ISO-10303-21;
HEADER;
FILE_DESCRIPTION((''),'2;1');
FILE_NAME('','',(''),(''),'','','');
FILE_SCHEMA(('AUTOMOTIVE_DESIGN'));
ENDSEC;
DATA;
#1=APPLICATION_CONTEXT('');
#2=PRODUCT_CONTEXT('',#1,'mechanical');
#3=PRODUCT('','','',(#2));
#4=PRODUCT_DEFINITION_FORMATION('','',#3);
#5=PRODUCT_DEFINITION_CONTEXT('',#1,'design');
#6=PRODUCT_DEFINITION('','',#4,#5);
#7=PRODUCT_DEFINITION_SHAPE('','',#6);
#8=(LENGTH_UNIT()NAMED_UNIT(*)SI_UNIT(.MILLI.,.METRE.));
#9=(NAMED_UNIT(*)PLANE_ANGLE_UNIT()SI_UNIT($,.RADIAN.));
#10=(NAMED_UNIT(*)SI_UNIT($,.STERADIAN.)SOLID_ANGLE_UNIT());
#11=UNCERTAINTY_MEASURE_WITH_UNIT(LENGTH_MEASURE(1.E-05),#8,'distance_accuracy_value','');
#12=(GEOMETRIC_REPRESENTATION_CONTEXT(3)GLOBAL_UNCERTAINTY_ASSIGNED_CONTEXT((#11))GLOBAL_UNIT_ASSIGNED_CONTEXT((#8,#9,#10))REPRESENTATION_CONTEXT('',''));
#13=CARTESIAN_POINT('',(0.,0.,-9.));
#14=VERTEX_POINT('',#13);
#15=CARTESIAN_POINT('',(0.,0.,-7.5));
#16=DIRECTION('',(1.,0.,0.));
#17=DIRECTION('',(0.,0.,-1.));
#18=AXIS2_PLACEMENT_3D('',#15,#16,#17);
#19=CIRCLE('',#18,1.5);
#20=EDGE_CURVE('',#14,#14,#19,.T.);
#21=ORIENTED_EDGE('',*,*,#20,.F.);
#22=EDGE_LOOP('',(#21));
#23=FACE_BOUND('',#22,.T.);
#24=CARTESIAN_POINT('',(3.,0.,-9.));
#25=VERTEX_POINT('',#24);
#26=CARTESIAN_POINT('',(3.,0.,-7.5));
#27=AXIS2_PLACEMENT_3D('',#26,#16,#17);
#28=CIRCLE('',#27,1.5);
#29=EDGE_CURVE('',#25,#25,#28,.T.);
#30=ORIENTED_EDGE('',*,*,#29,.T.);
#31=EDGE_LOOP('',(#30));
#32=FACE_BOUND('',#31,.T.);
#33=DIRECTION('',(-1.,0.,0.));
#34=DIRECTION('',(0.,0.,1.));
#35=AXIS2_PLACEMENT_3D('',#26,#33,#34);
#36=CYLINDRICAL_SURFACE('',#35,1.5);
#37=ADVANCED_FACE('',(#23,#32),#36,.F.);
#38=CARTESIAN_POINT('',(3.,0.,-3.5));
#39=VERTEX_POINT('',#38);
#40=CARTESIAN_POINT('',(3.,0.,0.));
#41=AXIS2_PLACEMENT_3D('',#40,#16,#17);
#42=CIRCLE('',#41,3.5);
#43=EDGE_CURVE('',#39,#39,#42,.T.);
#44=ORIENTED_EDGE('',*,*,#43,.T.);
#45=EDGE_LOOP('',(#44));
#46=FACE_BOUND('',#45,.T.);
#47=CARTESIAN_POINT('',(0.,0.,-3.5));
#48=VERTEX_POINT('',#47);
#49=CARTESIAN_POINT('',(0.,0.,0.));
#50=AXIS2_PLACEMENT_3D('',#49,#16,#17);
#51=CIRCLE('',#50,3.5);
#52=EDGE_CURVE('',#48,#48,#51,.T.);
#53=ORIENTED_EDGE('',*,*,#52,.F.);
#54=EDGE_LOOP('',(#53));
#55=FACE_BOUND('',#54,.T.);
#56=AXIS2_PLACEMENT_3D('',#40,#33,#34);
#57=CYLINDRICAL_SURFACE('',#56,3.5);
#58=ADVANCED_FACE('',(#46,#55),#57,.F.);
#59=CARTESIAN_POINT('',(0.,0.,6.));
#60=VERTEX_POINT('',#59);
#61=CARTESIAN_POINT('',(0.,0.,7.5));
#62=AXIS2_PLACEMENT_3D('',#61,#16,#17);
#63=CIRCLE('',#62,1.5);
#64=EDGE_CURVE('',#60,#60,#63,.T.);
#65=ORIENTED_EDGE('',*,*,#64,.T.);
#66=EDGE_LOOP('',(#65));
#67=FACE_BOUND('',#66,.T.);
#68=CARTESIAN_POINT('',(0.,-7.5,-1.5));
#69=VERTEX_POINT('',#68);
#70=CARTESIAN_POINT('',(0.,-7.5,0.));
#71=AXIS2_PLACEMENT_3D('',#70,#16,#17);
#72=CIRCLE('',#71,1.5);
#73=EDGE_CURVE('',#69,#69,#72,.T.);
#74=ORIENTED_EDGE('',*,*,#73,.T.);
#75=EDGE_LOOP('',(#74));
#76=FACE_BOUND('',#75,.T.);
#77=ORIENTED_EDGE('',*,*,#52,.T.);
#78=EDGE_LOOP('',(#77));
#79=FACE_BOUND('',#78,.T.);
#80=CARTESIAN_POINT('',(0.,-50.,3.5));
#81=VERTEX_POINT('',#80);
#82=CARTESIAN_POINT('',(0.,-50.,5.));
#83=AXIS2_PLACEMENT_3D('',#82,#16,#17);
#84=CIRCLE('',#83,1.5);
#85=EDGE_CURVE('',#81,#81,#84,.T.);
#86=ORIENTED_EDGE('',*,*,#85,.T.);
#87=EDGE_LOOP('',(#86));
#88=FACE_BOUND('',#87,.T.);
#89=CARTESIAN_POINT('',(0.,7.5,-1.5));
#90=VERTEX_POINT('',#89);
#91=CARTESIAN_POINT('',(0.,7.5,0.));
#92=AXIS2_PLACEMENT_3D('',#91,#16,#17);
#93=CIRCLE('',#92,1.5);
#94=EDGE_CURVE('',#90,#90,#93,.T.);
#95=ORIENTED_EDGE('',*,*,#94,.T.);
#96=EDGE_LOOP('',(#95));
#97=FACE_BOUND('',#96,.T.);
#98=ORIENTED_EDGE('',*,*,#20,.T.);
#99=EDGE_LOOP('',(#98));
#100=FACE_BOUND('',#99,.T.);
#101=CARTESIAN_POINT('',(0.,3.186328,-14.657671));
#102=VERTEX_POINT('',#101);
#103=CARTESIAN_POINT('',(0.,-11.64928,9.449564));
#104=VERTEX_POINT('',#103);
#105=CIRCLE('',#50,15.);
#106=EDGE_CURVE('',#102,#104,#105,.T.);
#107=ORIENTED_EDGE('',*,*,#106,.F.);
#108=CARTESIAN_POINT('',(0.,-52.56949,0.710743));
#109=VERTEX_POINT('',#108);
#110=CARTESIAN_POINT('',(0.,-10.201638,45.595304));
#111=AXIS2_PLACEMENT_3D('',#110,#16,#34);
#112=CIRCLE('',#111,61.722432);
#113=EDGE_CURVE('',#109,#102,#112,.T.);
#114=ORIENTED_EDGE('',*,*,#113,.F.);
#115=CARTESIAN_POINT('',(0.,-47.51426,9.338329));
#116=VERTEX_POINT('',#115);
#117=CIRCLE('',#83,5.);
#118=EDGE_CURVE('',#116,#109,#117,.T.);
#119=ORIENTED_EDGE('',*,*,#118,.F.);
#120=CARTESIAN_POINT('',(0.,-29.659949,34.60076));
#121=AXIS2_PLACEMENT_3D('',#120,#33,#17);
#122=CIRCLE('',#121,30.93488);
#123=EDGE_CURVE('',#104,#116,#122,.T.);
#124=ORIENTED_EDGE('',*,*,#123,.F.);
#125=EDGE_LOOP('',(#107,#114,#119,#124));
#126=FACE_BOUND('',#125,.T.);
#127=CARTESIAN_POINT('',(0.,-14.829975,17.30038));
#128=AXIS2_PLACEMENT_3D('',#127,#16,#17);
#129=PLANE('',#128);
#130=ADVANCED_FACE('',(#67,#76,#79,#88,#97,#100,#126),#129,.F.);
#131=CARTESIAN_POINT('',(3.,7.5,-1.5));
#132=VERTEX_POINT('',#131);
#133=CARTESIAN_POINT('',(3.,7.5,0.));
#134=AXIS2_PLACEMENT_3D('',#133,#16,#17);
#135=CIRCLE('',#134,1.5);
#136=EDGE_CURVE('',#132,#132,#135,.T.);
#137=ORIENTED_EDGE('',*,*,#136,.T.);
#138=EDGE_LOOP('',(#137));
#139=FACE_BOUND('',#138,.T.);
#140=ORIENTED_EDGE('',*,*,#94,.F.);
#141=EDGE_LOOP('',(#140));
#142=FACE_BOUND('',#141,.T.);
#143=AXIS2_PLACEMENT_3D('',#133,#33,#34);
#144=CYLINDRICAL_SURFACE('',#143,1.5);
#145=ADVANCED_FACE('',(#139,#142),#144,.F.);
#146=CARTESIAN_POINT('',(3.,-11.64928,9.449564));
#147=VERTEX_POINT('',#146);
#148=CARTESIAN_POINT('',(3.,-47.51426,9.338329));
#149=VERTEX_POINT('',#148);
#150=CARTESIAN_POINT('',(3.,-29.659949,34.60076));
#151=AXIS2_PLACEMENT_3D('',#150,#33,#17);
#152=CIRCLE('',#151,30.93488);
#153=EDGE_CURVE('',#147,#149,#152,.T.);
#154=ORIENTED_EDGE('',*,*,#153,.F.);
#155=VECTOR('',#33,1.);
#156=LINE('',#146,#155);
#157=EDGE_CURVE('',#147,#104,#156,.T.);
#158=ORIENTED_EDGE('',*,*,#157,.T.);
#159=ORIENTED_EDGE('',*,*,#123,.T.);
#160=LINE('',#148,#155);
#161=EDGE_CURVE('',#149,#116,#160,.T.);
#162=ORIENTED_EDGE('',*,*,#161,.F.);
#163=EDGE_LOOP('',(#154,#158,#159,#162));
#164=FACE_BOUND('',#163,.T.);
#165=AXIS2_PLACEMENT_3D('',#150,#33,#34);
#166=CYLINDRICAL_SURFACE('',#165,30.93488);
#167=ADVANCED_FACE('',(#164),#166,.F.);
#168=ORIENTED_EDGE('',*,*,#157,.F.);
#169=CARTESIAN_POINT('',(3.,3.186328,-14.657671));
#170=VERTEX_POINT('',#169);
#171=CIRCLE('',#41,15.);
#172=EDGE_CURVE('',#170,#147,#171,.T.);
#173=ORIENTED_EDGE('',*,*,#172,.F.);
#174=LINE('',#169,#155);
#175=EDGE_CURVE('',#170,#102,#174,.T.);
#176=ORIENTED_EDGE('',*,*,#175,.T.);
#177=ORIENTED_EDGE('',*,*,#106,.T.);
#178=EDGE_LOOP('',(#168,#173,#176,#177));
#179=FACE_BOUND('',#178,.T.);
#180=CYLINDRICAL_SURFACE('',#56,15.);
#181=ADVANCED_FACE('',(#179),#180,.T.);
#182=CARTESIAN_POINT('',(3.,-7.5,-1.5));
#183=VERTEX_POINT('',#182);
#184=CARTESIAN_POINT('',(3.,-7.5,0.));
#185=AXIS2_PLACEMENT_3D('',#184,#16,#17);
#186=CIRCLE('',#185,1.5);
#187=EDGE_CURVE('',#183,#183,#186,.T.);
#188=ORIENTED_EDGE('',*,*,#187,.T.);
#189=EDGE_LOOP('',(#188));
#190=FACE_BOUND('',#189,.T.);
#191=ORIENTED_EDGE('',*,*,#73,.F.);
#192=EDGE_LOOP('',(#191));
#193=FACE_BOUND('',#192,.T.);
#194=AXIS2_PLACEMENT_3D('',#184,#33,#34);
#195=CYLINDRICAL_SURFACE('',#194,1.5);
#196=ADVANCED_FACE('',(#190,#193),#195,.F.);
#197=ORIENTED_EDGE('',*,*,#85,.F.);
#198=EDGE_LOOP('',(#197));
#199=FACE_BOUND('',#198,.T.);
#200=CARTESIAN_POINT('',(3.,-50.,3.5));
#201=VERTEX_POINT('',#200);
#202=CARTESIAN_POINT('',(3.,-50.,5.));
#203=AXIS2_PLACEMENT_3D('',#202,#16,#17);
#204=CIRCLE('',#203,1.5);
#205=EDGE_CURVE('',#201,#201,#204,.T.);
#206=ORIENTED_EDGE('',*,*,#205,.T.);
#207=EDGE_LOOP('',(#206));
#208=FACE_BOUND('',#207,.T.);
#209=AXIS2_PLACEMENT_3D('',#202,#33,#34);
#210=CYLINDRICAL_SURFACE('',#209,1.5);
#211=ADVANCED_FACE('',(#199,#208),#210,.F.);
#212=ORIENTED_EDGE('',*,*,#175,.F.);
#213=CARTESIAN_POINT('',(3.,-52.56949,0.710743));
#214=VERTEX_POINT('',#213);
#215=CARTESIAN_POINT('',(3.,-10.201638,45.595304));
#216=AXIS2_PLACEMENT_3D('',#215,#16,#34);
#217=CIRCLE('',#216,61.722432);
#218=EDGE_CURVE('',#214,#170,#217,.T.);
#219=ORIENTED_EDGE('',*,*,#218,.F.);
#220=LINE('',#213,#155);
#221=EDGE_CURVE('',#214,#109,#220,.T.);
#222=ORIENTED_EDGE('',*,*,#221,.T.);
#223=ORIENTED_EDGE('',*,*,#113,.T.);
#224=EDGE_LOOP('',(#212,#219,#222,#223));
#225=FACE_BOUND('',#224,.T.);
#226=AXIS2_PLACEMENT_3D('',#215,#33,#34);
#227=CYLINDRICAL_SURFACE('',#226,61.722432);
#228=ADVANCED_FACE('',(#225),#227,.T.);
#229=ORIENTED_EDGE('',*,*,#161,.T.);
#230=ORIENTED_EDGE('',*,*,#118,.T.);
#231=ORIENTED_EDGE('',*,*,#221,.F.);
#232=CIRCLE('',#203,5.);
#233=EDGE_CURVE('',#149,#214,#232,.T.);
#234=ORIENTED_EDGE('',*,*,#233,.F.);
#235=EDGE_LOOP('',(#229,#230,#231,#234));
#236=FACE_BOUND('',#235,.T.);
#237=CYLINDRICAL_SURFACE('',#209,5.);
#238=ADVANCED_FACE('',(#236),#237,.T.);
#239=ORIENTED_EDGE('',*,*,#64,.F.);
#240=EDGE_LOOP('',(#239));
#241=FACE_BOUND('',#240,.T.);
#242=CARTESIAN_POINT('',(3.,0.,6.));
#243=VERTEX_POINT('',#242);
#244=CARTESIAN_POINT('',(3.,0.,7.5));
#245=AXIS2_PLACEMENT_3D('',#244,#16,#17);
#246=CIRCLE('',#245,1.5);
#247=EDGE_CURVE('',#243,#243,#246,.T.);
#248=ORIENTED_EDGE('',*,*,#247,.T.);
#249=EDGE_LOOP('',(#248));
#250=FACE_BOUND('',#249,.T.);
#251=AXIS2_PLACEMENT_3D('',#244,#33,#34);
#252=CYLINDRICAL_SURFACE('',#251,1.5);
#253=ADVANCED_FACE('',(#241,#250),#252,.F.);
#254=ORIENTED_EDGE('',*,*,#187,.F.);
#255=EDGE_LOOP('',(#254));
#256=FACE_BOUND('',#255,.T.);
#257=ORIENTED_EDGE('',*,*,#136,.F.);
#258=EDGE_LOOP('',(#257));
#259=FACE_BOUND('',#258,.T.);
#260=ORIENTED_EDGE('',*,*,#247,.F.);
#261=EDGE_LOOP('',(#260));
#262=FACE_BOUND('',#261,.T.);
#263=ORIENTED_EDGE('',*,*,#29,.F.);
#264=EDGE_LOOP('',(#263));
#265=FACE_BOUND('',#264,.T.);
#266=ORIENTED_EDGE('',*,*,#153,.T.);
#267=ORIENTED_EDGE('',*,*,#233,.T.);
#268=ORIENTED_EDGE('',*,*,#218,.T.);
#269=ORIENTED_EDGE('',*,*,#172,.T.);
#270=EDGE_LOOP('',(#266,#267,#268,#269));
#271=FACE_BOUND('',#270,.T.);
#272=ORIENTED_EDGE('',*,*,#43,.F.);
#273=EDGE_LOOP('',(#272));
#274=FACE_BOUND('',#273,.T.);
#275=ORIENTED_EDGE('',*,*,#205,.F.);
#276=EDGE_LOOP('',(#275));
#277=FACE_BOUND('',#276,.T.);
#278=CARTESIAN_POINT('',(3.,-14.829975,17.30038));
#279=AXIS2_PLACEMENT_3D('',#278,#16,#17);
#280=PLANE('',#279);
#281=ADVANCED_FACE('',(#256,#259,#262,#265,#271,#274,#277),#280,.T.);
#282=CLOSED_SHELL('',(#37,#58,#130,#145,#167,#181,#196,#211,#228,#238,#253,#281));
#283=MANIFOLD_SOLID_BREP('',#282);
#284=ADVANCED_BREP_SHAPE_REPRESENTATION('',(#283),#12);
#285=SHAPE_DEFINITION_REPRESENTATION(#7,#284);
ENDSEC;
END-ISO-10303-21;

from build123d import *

# Parameters (mm, degrees)
CROQUIS1_R              = 3.5
CROQUIS1_R_2            = 1.5
SALIENTE_EXTRUIR1_DEPTH = 3


with BuildPart() as part:
    # Croquis1 → Saliente-Extruir1 (new body)
    with BuildSketch(Plane(origin=(0, 0, 0), x_dir=(0, 0, -1), z_dir=(1, 0, 0))):
        with BuildLine():
            ThreePointArc((14.657670874, 3.186327753), (-7.861609872, 12.774783372), (-9.449564448, -11.64928031))
            ThreePointArc((-9.449564448, -11.64928031), (-3.666028079, -29.56400504), (-9.338328875, -47.514260157))
            ThreePointArc((-9.338328875, -47.514260157), (-7.527733898, -54.313995983), (-0.71074339, -52.569489781))
            ThreePointArc((-0.71074339, -52.569489781), (13.908083657, -26.603024812), (14.657670874, 3.186327753))
        make_face()
        Circle(CROQUIS1_R, mode=Mode.SUBTRACT)
        with Locations((-5, -50)):
            Circle(CROQUIS1_R_2, mode=Mode.SUBTRACT)
        with Locations((-7.5, 0)):
            Circle(CROQUIS1_R_2, mode=Mode.SUBTRACT)
        with Locations((0, 7.5)):
            Circle(CROQUIS1_R_2, mode=Mode.SUBTRACT)
        with Locations((7.5, 0)):
            Circle(CROQUIS1_R_2, mode=Mode.SUBTRACT)
        with Locations((0, -7.5)):
            Circle(CROQUIS1_R_2, mode=Mode.SUBTRACT)
    extrude(amount=SALIENTE_EXTRUIR1_DEPTH)


solid = part.part
